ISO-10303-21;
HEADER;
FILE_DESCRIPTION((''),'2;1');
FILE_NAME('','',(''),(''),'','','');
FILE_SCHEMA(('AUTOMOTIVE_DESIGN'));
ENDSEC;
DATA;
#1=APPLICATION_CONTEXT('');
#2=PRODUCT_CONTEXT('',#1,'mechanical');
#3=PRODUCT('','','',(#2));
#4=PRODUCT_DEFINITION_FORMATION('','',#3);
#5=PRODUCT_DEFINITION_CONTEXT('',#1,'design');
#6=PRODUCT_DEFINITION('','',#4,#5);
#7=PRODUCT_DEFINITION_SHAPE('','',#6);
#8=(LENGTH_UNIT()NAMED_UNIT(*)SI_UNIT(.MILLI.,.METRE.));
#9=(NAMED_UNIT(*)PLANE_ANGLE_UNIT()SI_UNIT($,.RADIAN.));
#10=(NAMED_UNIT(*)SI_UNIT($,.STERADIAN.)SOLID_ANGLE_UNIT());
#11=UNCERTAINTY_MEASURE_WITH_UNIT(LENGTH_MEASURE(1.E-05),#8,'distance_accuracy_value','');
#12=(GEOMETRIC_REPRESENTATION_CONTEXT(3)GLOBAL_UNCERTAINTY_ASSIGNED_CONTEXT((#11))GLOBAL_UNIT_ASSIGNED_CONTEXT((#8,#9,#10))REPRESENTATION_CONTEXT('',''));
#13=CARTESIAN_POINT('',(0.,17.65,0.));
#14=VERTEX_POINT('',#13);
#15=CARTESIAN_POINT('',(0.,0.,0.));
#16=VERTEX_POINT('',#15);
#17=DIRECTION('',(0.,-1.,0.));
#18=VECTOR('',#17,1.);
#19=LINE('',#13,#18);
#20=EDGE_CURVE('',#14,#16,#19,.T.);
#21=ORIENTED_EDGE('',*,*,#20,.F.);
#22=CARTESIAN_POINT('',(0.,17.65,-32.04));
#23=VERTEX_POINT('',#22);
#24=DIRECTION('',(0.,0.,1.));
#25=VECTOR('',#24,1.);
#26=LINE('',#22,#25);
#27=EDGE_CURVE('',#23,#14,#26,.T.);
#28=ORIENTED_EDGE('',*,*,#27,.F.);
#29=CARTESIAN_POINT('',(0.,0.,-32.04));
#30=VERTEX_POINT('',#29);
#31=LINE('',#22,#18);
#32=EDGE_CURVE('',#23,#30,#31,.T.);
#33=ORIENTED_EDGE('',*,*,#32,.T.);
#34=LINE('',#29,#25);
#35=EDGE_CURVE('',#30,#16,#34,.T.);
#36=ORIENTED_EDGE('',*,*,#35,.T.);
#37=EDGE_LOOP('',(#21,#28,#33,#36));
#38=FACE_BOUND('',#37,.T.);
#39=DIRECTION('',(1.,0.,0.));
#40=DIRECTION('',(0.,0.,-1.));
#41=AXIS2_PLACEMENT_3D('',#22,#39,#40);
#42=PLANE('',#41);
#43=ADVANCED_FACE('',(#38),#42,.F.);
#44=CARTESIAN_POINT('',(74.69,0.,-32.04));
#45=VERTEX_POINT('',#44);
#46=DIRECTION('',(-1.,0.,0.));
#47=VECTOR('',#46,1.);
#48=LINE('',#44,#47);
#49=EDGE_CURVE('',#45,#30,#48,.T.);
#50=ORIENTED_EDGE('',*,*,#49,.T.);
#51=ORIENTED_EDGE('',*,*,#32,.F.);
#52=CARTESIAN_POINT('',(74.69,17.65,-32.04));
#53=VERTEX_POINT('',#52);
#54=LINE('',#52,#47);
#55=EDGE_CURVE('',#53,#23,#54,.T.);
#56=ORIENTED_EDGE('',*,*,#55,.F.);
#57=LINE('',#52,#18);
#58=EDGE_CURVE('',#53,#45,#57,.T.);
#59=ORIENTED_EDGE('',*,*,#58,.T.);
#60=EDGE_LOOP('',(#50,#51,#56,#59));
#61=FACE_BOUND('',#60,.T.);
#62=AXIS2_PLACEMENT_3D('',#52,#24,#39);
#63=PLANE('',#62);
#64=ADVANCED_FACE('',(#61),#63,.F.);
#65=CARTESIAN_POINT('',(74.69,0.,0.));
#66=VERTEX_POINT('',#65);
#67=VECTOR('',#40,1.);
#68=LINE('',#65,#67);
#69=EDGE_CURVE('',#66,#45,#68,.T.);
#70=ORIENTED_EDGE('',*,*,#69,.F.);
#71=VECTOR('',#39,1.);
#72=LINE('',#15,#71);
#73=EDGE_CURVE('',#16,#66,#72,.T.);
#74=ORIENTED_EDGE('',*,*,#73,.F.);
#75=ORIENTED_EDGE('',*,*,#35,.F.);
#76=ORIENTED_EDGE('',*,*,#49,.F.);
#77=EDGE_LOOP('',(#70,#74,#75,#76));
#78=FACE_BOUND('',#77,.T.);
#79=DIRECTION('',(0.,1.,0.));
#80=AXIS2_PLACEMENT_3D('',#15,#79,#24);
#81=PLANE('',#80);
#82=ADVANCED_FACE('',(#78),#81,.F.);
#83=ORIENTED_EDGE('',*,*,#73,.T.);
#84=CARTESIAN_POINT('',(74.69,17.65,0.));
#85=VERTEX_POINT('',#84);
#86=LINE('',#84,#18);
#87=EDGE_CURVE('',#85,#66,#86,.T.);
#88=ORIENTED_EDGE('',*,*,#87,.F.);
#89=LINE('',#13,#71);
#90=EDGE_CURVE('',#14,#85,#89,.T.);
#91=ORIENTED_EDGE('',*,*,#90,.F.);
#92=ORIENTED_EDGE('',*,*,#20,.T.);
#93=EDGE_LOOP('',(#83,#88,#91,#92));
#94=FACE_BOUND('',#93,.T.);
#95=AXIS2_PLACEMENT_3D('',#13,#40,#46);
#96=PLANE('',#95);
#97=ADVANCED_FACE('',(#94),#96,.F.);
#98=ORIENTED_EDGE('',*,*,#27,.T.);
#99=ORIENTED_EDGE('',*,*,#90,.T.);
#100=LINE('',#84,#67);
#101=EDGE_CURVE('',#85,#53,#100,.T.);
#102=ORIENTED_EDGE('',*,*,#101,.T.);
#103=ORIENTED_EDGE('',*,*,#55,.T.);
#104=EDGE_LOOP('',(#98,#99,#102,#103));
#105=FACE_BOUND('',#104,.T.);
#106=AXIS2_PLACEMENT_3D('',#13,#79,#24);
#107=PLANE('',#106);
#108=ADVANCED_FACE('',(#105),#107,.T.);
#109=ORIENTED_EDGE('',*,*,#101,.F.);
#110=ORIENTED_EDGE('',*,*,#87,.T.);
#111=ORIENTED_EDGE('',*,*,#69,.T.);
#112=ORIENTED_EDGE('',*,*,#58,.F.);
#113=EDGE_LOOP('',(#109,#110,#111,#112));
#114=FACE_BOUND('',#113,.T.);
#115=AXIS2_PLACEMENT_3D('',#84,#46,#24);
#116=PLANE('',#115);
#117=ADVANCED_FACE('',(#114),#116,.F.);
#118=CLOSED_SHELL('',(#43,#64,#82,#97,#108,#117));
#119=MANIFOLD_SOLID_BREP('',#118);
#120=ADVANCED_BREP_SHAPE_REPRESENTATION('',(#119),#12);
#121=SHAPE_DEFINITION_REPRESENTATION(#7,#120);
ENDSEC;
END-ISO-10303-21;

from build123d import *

# Parameters (mm, degrees)
ESQUISSE1_W        = 74.69
ESQUISSE1_H        = 32.04
BOSS_EXTRU_1_DEPTH = 17.65


with BuildPart() as part:
    # Esquisse1 → Boss.-Extru.1 (new body)
    with BuildSketch(Plane(origin=(0, 0, 0), x_dir=(1, 0, 0), z_dir=(0, 1, 0))):
        with Locations((37.345, 16.02)):
            Rectangle(ESQUISSE1_W, ESQUISSE1_H)
    extrude(amount=BOSS_EXTRU_1_DEPTH)


solid = part.part
